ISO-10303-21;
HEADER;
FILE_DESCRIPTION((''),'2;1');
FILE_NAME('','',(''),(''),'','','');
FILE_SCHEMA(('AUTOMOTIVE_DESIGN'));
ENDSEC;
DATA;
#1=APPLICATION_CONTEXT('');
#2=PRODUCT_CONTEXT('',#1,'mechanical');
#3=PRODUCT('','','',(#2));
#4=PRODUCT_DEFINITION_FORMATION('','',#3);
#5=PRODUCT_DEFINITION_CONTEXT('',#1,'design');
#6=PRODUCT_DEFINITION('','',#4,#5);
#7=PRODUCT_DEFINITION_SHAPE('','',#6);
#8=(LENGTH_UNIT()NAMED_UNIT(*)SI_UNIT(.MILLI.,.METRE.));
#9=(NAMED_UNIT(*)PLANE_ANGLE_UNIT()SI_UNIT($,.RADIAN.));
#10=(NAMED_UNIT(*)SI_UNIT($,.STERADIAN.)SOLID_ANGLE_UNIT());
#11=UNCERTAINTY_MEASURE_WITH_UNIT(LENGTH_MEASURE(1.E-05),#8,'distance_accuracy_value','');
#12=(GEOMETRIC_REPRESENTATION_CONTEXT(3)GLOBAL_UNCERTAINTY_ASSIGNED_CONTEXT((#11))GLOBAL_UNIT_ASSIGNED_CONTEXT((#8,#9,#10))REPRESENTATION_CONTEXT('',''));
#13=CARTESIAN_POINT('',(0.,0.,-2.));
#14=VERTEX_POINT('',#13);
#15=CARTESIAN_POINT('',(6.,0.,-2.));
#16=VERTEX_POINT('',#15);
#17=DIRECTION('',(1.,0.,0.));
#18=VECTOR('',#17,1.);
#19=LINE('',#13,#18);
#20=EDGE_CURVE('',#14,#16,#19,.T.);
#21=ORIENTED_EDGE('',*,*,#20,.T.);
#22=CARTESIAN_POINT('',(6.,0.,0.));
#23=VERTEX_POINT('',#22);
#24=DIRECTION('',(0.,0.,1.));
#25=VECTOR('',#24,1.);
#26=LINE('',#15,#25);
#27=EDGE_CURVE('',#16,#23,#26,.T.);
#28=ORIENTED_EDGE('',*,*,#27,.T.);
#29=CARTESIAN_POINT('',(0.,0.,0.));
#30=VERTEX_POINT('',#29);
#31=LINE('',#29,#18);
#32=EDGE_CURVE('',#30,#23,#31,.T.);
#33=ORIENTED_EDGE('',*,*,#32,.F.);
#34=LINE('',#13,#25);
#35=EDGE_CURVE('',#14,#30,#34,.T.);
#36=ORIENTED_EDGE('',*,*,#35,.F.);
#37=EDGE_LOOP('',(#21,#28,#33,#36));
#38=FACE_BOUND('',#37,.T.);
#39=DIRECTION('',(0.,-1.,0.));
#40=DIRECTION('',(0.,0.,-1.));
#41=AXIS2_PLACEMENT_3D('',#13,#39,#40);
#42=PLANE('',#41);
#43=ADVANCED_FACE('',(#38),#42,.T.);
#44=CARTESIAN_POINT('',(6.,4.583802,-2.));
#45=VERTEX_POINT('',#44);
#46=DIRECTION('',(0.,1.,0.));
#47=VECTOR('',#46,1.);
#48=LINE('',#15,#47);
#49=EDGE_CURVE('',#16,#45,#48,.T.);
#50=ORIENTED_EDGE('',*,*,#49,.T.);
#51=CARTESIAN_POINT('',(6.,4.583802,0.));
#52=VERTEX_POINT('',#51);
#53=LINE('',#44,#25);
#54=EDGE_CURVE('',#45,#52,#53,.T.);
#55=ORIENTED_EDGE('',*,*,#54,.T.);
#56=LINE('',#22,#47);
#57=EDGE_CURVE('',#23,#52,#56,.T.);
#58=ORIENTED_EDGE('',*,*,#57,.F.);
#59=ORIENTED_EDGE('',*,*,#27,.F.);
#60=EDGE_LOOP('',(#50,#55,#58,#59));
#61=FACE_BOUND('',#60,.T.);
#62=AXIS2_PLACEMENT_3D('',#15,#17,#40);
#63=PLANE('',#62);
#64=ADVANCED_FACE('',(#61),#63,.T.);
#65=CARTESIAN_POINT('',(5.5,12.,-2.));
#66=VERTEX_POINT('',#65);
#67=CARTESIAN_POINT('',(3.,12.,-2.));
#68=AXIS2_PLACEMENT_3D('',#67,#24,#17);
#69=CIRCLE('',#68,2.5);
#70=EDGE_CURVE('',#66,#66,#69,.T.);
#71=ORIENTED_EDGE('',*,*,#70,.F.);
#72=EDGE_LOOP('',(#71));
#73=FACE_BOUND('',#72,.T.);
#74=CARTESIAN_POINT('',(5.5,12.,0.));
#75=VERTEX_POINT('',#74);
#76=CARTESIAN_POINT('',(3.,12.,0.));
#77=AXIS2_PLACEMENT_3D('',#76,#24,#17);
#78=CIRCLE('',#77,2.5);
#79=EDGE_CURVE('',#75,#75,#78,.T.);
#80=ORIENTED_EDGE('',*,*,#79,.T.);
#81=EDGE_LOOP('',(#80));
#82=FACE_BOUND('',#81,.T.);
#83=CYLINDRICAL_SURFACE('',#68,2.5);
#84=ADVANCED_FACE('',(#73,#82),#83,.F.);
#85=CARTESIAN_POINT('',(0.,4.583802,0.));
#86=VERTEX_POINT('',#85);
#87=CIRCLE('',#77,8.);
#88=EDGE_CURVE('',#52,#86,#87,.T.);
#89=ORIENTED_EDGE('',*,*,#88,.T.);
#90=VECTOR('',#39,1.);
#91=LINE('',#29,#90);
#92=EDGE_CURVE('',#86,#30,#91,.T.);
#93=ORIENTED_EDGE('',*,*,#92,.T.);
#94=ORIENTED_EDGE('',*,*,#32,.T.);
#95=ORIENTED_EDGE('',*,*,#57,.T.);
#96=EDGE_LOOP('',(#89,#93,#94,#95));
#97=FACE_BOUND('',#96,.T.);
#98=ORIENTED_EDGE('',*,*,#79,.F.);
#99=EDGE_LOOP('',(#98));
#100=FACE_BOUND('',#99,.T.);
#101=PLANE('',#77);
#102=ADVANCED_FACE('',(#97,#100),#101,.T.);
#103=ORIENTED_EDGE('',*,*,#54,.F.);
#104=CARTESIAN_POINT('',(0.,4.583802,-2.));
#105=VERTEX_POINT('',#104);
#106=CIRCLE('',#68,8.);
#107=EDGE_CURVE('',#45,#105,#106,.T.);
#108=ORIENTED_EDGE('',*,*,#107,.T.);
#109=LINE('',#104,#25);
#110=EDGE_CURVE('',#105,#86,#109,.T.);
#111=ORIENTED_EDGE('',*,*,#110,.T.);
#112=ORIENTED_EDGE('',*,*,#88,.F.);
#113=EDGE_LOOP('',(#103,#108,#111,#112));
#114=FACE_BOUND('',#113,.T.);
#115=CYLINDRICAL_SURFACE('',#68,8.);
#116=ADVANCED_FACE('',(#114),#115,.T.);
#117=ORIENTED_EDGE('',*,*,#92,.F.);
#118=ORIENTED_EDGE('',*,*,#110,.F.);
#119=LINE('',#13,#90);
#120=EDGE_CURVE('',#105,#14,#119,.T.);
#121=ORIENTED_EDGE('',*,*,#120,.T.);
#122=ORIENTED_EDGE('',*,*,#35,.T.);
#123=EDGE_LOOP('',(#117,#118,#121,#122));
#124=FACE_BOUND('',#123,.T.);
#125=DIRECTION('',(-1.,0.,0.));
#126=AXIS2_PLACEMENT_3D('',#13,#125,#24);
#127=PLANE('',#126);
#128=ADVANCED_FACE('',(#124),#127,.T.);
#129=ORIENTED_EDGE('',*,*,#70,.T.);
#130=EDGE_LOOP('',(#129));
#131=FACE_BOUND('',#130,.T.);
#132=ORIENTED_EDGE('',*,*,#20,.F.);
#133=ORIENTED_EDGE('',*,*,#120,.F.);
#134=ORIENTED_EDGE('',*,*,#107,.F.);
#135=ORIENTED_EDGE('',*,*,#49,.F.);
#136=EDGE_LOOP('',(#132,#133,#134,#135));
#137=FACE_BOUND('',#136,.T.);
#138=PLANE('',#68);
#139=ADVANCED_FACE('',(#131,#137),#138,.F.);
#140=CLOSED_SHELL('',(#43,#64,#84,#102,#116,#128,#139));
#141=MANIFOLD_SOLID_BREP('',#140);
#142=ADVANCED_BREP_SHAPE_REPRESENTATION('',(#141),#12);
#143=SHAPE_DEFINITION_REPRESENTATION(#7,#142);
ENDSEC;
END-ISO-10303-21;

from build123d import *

# Parameters (mm, degrees)
BASE_EXTRUSION_DEPTH    = 2
ESQUISSE2_R             = 2.5
ENL_V_MAT_EXTRU_1_DEPTH = 2


with BuildPart() as part:
    # Esquisse1 → Base-Extrusion (new body)
    with BuildSketch(Plane.XY):
        with BuildLine():
            Line((0, 0), (6, 0))
            Line((6, 0), (6, 4.583801513))
            ThreePointArc((6, 4.583801513), (3, 20), (0, 4.583801513))
            Line((0, 4.583801513), (0, 0))
        make_face()
    extrude(amount=-BASE_EXTRUSION_DEPTH)

    # Esquisse2 → Enlèv. mat.-Extru.1 (cut)
    with BuildSketch(Plane.XY):
        with Locations((3, 12)):
            Circle(ESQUISSE2_R)
    extrude(amount=-ENL_V_MAT_EXTRU_1_DEPTH, mode=Mode.SUBTRACT)


solid = part.part
